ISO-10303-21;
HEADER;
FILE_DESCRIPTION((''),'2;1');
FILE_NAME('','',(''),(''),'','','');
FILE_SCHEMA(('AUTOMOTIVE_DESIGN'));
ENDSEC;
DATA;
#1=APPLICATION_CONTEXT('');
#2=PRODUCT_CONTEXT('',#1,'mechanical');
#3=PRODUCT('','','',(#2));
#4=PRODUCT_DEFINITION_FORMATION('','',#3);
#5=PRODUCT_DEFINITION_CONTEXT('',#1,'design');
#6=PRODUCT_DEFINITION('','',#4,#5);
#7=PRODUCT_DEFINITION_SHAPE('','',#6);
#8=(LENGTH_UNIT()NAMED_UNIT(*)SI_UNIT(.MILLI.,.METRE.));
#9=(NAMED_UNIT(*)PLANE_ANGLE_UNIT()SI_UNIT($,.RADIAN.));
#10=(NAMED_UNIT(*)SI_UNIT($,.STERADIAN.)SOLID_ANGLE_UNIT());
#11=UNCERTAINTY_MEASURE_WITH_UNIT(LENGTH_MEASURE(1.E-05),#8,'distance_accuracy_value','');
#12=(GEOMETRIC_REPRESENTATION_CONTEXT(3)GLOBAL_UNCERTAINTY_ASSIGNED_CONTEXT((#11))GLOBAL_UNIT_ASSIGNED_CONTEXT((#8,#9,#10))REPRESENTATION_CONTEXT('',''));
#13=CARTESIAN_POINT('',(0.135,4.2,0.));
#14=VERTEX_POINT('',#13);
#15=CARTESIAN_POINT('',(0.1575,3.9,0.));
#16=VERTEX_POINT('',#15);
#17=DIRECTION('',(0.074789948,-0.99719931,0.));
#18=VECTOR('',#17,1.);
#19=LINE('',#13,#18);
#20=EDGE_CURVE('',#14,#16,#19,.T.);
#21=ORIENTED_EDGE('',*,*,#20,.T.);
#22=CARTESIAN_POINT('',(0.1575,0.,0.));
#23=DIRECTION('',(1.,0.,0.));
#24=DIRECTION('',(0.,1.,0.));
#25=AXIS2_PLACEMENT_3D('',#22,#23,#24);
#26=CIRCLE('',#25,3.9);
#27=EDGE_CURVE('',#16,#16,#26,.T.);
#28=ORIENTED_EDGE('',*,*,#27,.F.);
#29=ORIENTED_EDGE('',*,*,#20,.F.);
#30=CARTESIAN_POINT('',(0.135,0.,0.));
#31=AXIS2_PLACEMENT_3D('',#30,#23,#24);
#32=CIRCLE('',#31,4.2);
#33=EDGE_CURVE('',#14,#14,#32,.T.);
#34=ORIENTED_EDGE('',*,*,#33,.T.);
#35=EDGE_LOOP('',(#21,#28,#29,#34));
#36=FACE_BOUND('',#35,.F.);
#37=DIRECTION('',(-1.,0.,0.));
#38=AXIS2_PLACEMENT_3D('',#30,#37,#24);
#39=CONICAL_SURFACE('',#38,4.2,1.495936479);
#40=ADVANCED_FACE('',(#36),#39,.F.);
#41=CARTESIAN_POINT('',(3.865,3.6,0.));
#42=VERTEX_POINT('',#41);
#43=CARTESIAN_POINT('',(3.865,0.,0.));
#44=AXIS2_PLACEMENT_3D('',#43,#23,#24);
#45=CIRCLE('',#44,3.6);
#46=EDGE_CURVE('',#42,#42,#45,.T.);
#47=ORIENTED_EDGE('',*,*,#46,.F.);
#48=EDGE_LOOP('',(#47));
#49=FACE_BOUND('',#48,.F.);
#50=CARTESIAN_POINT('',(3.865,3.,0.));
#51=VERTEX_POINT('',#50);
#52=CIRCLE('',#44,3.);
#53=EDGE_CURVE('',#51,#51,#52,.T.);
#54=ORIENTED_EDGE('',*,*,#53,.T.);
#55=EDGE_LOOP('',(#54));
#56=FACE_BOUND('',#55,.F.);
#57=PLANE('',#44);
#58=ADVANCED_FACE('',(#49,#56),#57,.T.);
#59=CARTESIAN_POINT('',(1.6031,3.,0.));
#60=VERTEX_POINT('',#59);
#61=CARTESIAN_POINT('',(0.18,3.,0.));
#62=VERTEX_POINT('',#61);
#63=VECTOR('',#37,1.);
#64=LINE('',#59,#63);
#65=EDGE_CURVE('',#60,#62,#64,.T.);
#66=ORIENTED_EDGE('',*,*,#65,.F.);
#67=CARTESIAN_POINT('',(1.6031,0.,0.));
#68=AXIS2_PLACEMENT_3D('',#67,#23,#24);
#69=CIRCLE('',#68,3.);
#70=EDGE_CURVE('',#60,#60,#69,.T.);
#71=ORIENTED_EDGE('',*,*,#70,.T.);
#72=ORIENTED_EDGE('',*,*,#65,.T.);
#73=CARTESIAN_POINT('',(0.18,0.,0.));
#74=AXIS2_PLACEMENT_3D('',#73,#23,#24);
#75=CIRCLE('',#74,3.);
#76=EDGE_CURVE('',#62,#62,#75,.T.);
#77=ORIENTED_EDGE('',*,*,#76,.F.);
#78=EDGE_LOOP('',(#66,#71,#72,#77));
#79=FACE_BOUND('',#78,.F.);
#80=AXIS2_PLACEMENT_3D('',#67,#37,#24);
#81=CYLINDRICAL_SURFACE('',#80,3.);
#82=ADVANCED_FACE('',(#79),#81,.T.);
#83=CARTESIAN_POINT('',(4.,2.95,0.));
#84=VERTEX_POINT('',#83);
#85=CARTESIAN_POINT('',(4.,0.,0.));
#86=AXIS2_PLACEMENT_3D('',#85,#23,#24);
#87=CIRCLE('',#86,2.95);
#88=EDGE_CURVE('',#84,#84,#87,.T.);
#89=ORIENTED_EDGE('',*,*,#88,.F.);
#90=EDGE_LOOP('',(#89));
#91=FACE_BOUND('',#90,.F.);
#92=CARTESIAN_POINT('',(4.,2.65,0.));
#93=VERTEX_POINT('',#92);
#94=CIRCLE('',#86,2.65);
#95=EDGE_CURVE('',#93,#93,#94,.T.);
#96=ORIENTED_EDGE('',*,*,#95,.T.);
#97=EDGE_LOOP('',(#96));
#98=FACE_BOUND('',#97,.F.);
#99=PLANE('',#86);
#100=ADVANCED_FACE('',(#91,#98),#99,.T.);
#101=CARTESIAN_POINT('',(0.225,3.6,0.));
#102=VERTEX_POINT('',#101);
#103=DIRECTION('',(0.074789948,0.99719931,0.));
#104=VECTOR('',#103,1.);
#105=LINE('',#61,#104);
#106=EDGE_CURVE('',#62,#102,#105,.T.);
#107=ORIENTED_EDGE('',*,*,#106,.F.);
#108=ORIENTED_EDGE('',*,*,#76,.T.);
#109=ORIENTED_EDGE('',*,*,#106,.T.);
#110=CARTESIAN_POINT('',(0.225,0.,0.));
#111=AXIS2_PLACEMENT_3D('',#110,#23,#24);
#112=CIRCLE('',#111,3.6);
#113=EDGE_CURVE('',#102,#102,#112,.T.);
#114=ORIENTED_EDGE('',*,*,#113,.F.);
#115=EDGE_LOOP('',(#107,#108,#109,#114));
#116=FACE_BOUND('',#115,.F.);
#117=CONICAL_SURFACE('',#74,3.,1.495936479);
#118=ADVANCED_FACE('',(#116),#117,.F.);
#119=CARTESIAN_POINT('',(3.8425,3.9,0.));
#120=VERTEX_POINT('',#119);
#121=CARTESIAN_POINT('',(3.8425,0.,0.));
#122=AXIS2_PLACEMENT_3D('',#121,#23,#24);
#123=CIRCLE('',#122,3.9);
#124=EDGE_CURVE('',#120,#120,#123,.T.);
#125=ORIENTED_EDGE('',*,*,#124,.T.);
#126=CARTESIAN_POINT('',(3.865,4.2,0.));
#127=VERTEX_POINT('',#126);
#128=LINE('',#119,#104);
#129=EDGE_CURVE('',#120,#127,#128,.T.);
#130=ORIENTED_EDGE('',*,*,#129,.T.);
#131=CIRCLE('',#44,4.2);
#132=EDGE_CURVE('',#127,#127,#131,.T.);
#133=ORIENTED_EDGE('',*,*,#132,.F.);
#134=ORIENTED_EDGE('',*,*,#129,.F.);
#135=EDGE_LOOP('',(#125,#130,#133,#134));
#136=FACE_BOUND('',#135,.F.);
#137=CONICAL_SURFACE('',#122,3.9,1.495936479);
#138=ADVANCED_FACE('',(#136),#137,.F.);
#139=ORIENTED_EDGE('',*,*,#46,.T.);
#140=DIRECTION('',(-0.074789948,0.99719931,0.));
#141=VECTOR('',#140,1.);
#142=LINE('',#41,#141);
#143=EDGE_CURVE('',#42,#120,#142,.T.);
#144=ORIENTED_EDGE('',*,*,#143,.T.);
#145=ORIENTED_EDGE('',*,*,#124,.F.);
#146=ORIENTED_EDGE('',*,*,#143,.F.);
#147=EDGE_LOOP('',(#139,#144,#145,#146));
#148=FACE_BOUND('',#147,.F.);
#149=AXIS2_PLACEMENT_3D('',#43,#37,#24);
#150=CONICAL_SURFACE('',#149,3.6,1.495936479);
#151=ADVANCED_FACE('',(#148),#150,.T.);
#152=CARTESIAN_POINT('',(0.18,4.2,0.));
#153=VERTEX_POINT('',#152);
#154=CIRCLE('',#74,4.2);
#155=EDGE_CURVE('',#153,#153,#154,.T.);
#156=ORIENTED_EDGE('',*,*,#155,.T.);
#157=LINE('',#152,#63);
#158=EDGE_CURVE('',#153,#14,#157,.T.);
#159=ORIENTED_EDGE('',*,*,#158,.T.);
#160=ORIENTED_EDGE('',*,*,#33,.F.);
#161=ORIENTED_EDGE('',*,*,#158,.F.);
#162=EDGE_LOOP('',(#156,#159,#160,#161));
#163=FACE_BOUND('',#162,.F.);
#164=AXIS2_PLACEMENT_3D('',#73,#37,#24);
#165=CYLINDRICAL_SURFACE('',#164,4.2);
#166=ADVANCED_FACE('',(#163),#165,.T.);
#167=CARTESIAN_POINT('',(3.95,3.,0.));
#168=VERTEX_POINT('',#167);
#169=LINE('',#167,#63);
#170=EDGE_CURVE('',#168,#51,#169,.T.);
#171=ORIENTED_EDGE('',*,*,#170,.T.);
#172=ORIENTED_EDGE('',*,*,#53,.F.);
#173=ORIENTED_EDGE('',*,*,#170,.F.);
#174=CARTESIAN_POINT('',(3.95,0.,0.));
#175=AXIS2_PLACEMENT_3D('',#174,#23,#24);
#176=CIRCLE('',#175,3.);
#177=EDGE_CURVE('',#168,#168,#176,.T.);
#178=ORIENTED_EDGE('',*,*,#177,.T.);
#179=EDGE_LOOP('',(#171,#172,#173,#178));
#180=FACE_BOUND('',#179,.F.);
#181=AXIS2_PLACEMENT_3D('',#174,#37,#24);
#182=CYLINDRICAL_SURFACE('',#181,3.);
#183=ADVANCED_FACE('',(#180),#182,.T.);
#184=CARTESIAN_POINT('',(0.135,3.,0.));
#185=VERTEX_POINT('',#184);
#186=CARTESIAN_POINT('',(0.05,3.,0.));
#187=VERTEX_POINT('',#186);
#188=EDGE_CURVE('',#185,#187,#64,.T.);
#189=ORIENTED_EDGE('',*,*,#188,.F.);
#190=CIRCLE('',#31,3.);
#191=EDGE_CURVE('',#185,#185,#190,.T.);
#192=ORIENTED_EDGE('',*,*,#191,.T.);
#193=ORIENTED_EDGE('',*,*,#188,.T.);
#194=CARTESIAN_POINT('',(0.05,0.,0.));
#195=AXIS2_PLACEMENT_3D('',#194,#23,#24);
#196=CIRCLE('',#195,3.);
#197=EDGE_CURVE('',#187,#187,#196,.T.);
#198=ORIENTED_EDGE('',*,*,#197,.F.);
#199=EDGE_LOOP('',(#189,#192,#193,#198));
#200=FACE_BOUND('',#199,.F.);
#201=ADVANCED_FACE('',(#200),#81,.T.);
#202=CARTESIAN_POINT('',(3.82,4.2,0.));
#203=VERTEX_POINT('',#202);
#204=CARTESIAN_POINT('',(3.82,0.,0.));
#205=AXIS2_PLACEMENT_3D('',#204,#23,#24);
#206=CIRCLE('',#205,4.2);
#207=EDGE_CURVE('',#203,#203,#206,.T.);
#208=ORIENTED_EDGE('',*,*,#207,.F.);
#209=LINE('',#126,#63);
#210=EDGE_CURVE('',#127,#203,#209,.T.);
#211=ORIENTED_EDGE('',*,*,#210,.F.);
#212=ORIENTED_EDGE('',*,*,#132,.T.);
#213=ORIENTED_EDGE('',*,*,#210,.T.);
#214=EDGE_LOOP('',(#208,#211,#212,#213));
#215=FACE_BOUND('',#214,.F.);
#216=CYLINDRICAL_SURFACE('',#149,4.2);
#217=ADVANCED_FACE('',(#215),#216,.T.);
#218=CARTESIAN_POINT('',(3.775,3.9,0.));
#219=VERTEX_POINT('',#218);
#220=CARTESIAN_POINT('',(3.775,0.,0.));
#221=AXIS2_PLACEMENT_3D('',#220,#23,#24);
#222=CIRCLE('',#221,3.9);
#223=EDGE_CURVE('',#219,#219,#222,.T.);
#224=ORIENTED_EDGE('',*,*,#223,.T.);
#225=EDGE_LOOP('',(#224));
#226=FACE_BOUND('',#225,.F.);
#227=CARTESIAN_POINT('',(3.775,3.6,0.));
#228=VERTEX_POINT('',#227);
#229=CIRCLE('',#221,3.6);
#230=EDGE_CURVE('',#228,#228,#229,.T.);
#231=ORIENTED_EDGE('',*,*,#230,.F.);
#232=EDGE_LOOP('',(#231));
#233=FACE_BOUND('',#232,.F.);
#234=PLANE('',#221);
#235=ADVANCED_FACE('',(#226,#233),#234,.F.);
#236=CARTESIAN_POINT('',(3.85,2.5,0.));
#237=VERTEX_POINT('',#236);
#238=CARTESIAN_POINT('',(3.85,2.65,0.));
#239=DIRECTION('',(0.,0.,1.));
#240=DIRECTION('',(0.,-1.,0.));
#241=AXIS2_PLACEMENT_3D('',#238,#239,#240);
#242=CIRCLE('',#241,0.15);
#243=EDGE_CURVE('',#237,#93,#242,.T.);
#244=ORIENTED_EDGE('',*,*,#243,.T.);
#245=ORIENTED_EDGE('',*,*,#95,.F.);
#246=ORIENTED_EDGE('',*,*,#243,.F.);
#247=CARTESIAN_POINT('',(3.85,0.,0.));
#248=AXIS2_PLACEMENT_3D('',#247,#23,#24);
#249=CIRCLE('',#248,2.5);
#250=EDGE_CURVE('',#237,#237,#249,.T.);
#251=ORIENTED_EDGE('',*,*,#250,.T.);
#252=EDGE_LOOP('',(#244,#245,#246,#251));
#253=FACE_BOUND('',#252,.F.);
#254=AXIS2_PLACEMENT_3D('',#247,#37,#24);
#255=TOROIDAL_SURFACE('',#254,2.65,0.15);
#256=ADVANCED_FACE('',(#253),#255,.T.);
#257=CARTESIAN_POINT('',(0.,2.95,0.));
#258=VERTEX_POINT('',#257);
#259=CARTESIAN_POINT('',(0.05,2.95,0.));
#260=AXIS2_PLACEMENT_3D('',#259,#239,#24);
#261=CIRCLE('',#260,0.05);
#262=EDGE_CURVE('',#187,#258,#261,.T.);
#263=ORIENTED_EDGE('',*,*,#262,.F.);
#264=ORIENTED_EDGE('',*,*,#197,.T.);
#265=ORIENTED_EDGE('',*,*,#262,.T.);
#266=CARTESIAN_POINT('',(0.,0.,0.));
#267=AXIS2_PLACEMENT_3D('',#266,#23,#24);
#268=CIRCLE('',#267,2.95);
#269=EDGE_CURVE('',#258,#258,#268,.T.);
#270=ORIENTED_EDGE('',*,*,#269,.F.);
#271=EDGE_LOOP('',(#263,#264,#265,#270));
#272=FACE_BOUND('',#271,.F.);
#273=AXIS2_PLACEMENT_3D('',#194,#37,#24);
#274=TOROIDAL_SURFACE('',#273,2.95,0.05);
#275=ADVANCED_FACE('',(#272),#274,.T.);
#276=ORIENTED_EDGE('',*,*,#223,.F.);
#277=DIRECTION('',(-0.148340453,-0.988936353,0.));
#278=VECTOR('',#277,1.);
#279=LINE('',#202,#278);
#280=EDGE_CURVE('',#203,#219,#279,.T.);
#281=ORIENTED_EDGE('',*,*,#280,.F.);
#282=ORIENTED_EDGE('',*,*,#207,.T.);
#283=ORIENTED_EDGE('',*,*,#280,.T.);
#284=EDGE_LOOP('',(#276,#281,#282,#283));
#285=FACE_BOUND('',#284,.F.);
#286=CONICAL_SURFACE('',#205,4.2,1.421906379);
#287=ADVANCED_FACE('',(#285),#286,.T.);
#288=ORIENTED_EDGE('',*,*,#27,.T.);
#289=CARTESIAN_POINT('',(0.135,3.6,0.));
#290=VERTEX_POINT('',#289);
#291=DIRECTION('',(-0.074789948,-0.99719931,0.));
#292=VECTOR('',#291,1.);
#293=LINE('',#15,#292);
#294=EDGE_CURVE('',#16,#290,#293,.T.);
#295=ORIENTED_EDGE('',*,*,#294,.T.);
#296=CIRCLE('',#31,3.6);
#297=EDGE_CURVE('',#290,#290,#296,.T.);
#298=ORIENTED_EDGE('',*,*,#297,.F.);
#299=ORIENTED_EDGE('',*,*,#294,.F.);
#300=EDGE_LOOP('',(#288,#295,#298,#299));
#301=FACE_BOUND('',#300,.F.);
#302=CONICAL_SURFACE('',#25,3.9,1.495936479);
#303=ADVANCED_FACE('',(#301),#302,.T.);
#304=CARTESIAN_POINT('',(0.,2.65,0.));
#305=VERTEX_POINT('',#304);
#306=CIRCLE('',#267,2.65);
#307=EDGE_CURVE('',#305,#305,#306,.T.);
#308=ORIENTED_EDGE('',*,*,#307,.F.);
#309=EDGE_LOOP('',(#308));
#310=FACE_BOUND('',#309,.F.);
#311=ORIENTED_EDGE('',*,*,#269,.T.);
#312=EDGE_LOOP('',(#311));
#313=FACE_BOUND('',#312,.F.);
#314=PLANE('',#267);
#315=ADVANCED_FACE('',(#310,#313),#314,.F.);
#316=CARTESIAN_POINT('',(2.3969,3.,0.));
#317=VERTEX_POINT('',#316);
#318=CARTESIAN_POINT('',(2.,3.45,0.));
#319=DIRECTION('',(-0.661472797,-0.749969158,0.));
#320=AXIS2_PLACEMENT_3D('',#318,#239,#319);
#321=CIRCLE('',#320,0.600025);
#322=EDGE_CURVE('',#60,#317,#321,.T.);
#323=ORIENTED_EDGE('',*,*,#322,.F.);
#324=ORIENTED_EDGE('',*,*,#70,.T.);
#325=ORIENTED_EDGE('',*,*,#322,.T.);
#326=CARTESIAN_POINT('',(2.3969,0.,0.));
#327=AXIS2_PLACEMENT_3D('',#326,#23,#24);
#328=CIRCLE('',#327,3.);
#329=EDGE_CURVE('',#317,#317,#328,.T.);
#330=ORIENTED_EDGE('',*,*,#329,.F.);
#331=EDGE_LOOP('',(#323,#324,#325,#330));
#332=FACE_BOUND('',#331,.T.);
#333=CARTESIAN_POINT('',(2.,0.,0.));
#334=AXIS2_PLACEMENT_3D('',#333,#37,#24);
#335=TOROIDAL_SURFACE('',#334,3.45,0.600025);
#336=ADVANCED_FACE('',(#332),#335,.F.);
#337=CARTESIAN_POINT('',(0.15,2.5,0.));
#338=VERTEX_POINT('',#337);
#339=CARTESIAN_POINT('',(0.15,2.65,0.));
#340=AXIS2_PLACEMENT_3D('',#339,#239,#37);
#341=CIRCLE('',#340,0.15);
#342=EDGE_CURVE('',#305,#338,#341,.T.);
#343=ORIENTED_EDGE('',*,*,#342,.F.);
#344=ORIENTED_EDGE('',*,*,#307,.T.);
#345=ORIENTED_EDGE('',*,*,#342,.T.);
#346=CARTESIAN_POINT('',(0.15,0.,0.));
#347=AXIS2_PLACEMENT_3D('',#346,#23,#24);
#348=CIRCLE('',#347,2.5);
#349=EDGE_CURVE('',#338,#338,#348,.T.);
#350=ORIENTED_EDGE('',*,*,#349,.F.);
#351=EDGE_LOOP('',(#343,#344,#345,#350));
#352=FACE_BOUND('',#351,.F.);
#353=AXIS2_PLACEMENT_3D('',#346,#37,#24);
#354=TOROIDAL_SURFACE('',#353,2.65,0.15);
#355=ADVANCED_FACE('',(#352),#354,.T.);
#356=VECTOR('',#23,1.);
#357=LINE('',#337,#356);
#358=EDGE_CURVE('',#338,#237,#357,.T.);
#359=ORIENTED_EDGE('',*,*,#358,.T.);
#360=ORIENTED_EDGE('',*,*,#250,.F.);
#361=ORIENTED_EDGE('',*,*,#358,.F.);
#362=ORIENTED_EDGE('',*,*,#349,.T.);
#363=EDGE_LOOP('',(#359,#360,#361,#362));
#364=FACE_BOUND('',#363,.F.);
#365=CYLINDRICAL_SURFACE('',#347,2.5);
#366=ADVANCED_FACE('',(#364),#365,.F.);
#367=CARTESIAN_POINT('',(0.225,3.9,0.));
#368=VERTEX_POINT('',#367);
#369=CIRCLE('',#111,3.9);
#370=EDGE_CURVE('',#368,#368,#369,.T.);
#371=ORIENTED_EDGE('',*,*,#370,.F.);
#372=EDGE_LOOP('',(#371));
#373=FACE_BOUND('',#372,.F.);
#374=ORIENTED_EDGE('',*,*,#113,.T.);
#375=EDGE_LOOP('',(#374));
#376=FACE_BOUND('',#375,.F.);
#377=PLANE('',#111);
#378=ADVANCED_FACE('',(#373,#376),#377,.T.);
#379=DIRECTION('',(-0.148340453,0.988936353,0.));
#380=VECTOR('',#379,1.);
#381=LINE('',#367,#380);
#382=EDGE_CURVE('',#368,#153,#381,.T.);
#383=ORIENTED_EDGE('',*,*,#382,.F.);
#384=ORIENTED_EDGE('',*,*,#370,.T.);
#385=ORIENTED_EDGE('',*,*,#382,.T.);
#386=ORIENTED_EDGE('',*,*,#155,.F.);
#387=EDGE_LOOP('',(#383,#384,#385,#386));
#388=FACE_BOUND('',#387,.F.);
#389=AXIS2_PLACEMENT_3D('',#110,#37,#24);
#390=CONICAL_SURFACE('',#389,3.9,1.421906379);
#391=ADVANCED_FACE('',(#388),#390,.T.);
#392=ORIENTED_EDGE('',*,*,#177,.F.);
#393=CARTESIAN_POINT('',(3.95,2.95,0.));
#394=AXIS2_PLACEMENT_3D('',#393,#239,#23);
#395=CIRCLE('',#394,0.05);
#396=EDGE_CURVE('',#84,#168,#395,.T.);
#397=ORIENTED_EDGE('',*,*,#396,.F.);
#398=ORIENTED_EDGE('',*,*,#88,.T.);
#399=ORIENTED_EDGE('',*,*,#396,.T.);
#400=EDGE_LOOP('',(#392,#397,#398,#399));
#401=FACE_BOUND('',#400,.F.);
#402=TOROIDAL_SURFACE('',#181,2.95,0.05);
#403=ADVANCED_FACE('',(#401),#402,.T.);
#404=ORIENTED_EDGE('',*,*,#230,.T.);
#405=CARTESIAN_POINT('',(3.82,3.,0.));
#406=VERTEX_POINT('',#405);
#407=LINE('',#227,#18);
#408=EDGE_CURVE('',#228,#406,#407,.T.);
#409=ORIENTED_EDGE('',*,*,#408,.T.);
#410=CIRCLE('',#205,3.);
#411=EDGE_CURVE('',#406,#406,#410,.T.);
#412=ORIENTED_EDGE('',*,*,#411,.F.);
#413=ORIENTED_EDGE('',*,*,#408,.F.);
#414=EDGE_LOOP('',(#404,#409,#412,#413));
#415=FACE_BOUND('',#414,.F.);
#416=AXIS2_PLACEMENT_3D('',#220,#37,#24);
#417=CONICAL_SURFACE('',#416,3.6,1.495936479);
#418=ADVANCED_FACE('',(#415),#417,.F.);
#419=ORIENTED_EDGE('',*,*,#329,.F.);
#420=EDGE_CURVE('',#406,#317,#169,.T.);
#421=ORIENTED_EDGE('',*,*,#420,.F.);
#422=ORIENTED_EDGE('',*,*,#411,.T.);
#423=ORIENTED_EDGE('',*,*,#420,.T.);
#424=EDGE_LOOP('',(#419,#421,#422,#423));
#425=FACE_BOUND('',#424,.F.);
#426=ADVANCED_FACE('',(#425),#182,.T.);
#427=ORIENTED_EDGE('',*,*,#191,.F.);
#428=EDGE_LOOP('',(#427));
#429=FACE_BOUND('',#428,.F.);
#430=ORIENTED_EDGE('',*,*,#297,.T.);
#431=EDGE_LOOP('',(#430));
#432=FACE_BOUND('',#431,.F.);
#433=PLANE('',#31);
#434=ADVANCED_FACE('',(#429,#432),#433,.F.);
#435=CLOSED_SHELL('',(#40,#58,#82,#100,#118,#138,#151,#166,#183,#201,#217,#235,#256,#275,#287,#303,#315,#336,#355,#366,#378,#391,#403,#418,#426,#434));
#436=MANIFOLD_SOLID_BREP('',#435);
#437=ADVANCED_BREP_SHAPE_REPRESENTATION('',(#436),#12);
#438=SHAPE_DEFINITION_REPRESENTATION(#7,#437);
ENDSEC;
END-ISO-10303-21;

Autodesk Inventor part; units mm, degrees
sketch "Sketch_58" plane through (0, 0, 0) normal (0, 0, 1) x (1, 0, 0)
  line L0 (50, 0) -> (-50, 0)
  line L1 (0, 2.95) -> (0, 2.65)
  arc A0 (0, 2.65) -> (0.15, 2.5) centre (0.15, 2.65) ccw
  line L2 (0.15, 2.5) -> (3.85, 2.5)
  arc A1 (3.85, 2.5) -> (4, 2.65) centre (3.85, 2.65) ccw
  line L3 (4, 2.65) -> (4, 2.95)
  arc A2 (4, 2.95) -> (3.95, 3) centre (3.95, 2.95) ccw
  line L4 (3.95, 3) -> (2.3969, 3)
  arc A3 (1.6031, 3) -> (2.3969, 3) centre (2, 3.45) ccw
  line L5 (1.6031, 3) -> (0.05, 3)
  arc A4 (0.05, 3) -> (0, 2.95) centre (0.05, 2.95) ccw
revolve "Revolution1" add sketch "Sketch_58" angle 360 about axis through (50, 0, 0) along (1, 0, 0)
sketch "Sketch_60" plane through (0, 0, 0) normal (0, 0, 1) x (1, 0, 0)
  line L0 (2, 0) -> (-2, 0)
  line L1 (0.135, 4.2) -> (0.1575, 3.9)
  line L2 (0.1575, 3.9) -> (0.135, 3.6)
  line L3 (0.135, 3.6) -> (0.135, 3)
  line L4 (0.135, 3) -> (0.18, 3)
  line L5 (0.18, 3) -> (0.225, 3.6)
  line L6 (0.225, 3.6) -> (0.225, 3.9)
  line L7 (0.225, 3.9) -> (0.18, 4.2)
  line L8 (0.18, 4.2) -> (0.135, 4.2)
revolve "Revolution2" add sketch "Sketch_60" angle 360 about axis through (2, 0, 0) along (1, 0, 0)
sketch "Sketch_61" plane through (0, 0, 0) normal (0, 0, 1) x (1, 0, 0)
  line L0 (2, 0) -> (-2, 0)
  line L1 (3.775, 3.6) -> (3.82, 3)
  line L2 (3.82, 3) -> (3.865, 3)
  line L3 (3.865, 3) -> (3.865, 3.6)
  line L4 (3.865, 3.6) -> (3.8425, 3.9)
  line L5 (3.8425, 3.9) -> (3.865, 4.2)
  line L6 (3.865, 4.2) -> (3.82, 4.2)
  line L7 (3.82, 4.2) -> (3.775, 3.9)
  line L8 (3.775, 3.9) -> (3.775, 3.6)
revolve "Revolution3" add sketch "Sketch_61" angle 360 about axis through (2, 0, 0) along (1, 0, 0)
ref_plane "ir_XY" through (0, 0, 0) normal (0, 0, 1) x (1, 0, 0)
ref_plane "ir_YZ" through (0, 0, 0) normal (1, 0, 0) x (0, 1, 0)
ref_plane "ir_ZX" through (0, 0, 0) normal (0, 1, 0) x (0, 0, 1)
properties part number "SKF_WBB1-8705-2RS1_ir"
